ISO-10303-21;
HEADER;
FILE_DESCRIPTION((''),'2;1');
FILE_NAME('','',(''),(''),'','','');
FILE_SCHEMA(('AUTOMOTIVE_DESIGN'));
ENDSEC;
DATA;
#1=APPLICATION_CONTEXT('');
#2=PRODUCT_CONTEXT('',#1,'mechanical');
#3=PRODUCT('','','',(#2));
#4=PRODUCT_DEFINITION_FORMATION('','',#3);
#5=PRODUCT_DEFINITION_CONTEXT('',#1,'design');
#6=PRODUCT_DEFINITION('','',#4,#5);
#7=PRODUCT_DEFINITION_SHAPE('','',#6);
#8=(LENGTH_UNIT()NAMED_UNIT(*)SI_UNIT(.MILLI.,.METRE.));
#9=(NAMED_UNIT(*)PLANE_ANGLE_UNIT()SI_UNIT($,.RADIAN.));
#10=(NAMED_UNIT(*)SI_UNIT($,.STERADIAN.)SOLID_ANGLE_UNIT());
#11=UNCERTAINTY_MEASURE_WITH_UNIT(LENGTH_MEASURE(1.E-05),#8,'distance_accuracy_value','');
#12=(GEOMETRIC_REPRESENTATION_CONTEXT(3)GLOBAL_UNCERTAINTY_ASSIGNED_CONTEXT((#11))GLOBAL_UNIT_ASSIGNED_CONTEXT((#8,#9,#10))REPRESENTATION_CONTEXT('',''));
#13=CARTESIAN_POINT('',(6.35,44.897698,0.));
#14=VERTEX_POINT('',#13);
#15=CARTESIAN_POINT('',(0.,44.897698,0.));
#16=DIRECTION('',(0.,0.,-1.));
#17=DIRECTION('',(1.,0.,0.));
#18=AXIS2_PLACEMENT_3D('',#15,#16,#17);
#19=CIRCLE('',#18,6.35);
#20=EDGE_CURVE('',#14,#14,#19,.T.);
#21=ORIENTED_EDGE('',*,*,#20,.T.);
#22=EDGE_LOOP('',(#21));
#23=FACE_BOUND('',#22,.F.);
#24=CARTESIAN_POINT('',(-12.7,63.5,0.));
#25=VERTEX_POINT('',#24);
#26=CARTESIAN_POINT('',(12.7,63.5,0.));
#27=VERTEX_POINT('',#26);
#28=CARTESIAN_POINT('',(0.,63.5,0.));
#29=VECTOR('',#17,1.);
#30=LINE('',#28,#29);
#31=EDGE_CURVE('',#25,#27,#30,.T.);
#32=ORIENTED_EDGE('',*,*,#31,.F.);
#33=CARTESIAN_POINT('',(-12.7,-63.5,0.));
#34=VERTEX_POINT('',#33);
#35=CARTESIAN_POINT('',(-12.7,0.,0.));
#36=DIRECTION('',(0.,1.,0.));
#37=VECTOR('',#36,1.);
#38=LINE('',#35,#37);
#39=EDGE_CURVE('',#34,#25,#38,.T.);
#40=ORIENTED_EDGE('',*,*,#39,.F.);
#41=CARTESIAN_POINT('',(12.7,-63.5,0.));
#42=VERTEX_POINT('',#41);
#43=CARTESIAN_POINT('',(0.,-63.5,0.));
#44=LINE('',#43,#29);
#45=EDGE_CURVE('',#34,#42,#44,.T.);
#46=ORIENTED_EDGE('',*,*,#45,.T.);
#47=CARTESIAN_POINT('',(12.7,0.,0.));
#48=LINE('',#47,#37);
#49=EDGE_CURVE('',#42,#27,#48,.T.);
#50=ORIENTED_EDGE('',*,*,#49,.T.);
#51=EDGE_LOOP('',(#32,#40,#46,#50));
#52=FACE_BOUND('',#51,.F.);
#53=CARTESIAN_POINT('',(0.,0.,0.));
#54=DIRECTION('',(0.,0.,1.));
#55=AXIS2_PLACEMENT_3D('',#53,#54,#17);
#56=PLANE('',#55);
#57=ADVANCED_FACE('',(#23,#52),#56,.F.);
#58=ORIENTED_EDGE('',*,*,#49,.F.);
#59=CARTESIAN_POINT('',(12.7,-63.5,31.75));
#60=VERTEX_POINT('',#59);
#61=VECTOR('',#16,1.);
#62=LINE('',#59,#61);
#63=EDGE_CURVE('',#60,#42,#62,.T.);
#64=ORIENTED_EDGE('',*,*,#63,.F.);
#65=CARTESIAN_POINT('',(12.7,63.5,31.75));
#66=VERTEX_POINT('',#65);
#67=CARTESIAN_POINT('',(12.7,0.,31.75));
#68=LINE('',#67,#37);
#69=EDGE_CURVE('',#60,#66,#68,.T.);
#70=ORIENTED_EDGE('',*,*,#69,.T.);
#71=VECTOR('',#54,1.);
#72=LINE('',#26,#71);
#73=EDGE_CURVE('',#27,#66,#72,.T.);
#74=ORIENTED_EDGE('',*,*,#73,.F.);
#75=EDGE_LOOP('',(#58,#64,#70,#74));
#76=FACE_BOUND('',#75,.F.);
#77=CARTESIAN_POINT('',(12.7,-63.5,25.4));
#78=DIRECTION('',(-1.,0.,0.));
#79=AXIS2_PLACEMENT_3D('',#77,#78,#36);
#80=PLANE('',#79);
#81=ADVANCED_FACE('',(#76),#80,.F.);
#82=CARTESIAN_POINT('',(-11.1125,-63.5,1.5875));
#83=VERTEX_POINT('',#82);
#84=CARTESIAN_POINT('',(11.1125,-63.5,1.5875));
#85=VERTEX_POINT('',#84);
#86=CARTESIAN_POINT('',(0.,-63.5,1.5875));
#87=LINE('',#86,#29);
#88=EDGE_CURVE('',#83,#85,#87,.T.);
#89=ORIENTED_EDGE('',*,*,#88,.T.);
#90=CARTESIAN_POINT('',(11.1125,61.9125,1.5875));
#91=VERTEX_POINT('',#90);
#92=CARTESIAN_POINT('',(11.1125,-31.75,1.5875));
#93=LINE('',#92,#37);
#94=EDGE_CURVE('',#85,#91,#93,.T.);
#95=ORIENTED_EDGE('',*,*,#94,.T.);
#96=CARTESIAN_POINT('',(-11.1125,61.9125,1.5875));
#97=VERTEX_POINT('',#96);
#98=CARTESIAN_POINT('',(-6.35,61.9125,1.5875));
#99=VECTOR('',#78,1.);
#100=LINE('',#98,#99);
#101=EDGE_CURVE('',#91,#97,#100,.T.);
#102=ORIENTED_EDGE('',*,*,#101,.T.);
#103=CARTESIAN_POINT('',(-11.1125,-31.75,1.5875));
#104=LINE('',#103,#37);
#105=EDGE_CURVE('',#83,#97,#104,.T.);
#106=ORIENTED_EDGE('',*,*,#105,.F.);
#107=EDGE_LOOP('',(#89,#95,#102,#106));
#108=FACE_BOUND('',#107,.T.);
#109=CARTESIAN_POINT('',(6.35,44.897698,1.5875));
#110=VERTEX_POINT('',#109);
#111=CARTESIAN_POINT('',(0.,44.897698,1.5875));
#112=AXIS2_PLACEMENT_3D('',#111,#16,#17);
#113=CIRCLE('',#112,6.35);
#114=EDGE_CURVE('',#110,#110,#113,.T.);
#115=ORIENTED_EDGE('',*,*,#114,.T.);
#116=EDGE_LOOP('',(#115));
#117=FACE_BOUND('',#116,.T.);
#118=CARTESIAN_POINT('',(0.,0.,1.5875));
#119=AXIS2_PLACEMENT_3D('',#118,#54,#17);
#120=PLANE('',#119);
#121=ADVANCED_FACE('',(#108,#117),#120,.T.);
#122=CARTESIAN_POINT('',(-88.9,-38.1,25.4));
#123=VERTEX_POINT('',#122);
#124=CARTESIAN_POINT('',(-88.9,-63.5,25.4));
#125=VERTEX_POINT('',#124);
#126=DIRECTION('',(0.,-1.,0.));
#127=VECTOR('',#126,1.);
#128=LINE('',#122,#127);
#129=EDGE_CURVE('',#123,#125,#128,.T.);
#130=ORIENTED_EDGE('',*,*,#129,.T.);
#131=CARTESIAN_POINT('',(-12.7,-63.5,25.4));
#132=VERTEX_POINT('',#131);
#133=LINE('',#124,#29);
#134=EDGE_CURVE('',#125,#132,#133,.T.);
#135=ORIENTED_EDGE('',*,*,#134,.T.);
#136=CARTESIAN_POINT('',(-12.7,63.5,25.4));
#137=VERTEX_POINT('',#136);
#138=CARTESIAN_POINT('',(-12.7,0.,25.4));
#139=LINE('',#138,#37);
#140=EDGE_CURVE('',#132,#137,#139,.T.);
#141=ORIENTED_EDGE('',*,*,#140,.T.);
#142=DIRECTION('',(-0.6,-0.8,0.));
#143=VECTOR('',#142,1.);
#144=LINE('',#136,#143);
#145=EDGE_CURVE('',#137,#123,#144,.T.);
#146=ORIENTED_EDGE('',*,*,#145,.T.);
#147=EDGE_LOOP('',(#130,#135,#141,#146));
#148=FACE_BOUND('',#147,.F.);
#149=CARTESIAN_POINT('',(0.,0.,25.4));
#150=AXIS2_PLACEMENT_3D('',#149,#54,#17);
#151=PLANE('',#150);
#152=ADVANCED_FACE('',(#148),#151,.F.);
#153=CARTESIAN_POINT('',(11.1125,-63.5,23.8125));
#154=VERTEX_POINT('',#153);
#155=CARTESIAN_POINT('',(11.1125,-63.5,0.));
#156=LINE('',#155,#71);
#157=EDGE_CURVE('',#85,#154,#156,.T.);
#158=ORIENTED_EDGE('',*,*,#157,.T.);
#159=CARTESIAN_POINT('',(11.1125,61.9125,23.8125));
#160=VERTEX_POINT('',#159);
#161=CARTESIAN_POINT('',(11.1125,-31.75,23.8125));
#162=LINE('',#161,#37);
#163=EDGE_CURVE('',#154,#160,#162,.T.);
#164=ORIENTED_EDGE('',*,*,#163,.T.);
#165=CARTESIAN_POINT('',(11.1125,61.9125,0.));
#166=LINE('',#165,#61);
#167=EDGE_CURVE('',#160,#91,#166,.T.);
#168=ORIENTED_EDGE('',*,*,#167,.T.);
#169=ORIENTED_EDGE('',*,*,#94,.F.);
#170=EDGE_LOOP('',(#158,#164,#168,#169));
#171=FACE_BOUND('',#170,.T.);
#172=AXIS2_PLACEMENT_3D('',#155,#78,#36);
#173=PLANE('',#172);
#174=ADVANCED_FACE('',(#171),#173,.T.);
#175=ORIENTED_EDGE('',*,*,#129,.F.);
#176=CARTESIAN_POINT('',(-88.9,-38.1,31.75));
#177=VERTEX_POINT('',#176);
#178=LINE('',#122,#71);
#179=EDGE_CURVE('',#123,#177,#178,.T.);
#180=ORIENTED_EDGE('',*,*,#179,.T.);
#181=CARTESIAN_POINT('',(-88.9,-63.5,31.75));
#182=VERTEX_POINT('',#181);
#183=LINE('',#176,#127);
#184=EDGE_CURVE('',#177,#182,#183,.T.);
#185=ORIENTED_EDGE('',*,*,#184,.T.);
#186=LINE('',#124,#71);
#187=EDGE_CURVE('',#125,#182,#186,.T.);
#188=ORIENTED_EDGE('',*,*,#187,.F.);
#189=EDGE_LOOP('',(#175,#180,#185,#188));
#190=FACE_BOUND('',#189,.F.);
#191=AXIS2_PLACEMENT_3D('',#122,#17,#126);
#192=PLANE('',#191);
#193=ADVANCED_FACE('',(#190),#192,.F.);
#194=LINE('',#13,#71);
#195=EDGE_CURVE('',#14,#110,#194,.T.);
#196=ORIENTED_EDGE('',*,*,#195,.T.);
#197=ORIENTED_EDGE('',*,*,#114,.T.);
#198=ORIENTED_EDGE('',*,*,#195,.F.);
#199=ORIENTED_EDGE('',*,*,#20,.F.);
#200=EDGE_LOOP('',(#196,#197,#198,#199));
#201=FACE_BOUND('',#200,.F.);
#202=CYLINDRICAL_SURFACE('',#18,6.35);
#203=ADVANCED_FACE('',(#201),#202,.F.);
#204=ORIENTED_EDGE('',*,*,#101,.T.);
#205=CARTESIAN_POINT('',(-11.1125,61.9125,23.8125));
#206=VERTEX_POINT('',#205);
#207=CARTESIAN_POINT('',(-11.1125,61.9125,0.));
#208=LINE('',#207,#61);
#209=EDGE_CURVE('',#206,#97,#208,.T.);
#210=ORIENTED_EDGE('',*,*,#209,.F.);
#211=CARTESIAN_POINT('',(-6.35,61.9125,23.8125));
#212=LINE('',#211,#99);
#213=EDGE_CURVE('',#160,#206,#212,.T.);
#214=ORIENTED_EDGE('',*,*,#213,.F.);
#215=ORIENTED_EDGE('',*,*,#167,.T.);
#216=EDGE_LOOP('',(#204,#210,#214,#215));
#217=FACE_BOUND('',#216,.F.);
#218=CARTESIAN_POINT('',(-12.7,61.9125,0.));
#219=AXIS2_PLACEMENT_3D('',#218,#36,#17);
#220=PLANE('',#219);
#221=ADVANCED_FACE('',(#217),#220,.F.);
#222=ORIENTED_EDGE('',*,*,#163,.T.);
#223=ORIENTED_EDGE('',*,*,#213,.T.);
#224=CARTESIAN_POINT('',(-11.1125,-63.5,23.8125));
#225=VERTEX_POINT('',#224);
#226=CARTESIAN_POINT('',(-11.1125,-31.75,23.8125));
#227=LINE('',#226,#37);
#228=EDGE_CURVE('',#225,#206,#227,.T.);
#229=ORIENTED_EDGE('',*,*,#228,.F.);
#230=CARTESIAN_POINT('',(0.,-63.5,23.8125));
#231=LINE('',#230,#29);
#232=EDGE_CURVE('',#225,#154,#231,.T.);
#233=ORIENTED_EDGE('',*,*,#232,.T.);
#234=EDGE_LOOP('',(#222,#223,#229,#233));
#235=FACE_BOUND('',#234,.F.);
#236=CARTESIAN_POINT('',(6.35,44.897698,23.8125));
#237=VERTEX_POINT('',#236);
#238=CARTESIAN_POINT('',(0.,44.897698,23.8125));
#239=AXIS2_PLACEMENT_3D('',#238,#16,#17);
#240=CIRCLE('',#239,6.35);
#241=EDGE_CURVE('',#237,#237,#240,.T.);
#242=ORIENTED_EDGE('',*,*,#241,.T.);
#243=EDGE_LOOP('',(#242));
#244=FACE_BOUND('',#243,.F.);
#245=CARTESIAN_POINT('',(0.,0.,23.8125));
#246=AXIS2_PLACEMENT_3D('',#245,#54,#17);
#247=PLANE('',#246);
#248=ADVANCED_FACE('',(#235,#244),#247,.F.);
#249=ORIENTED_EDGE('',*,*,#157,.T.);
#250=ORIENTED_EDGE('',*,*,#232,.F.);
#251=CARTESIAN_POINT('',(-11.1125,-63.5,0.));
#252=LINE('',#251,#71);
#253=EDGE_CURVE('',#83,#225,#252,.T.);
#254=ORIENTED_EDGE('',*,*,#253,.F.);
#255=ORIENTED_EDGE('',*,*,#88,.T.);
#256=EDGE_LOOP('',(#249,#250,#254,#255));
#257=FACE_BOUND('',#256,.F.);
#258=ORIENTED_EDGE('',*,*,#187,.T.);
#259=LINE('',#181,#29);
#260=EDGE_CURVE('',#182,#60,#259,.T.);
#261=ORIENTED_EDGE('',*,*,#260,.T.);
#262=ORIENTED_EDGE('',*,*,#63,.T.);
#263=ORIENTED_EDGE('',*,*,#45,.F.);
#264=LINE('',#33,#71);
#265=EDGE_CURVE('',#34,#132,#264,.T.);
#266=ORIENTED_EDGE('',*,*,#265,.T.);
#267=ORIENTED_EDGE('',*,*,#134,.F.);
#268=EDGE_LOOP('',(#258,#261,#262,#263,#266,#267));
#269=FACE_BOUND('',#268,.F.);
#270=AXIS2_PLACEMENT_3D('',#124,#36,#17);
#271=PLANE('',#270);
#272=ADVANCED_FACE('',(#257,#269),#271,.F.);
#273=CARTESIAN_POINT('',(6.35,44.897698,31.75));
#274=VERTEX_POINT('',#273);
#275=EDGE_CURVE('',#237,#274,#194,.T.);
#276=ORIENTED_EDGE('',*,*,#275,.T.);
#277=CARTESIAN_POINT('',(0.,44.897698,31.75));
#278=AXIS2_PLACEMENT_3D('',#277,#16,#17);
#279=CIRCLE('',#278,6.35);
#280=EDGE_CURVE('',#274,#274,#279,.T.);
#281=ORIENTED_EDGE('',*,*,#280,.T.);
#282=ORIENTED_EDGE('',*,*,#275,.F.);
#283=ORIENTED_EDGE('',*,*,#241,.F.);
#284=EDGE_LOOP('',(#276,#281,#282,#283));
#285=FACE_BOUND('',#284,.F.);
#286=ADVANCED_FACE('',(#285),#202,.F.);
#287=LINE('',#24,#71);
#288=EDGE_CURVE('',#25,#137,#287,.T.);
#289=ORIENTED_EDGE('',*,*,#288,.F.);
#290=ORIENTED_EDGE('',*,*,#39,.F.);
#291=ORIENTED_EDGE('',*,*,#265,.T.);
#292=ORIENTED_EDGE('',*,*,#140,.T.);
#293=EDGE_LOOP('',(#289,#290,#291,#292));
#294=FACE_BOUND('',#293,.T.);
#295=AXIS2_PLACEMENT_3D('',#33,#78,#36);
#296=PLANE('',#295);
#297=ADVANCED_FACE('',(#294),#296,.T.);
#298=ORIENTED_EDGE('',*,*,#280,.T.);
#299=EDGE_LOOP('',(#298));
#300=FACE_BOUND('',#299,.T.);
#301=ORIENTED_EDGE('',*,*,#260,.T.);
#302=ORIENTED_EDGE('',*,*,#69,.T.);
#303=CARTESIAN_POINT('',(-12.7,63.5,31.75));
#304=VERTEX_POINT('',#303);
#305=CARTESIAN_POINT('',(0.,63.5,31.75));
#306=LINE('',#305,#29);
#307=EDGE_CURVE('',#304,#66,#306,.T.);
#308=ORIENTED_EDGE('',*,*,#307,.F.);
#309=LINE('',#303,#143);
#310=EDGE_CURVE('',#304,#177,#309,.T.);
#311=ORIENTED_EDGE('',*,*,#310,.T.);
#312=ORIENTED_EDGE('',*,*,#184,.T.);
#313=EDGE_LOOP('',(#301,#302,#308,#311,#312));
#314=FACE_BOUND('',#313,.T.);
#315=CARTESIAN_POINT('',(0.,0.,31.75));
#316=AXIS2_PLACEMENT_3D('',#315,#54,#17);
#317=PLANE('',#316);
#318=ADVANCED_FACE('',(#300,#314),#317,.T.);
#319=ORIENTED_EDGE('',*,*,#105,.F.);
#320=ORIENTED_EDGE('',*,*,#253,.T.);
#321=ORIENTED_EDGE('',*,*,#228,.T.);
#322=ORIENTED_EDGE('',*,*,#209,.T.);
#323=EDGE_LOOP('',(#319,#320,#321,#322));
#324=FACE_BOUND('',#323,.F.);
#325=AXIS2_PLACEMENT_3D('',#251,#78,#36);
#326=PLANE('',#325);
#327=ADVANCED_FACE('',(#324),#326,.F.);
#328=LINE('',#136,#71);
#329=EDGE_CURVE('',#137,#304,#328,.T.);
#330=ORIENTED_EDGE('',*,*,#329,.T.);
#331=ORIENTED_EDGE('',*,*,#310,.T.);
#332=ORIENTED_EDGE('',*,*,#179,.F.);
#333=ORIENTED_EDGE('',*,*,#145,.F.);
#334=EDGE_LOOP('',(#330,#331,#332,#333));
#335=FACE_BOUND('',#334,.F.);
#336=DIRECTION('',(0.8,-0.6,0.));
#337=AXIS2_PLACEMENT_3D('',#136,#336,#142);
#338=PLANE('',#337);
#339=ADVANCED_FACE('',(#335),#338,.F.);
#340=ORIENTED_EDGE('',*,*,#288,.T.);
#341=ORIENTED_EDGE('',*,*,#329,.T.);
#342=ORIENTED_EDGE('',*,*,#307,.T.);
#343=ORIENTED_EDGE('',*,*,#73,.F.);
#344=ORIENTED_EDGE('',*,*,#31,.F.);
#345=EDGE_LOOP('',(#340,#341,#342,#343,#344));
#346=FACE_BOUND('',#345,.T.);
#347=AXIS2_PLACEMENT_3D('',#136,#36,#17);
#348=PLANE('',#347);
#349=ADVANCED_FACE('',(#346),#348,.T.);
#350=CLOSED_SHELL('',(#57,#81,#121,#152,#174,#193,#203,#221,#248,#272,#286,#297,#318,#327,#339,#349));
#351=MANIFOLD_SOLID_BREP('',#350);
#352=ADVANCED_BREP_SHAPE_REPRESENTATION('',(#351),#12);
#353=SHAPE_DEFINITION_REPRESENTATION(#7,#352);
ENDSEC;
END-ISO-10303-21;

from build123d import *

# Parameters (mm, degrees)
F0_W     = 25.4
F0_H     = 127
F1_DEPTH = 25.4
F2_T     = -1.5875
F3_W     = 25.4
F3_H     = 127
F4_DEPTH = 6.35
F5_R     = 6.35
F6_DEPTH = 31.751


with BuildPart() as f1:
    # F0 (on Top) → F1 (new body)
    with BuildSketch(Plane.XY):
        Rectangle(F0_W, F0_H)
    extrude(amount=F1_DEPTH)

    # F2
    f2_openings = [f1.faces().sort_by_distance(p)[0] for p in [
        (0, -63.5, 12.7),
    ]]
    offset(amount=F2_T, openings=f2_openings)

    # F3 (on face) → F4 (join)
    with BuildSketch(Plane.XY.offset(25.4)):
        Rectangle(F3_W, F3_H)
        Polygon((-12.7, -63.5), (-12.7, 63.5), (-88.9, -38.1), (-88.9, -63.5), align=None)
    extrude(amount=F4_DEPTH)

    # F5 (on face) → F6 (cut, through all)
    with BuildSketch(Plane(origin=(0, 0, 0), x_dir=(1, 0, 0), z_dir=(0, 0, -1))):
        with Locations((0, -44.897698)):
            Circle(F5_R)
    extrude(amount=-F6_DEPTH, mode=Mode.SUBTRACT)


solid = f1.part
